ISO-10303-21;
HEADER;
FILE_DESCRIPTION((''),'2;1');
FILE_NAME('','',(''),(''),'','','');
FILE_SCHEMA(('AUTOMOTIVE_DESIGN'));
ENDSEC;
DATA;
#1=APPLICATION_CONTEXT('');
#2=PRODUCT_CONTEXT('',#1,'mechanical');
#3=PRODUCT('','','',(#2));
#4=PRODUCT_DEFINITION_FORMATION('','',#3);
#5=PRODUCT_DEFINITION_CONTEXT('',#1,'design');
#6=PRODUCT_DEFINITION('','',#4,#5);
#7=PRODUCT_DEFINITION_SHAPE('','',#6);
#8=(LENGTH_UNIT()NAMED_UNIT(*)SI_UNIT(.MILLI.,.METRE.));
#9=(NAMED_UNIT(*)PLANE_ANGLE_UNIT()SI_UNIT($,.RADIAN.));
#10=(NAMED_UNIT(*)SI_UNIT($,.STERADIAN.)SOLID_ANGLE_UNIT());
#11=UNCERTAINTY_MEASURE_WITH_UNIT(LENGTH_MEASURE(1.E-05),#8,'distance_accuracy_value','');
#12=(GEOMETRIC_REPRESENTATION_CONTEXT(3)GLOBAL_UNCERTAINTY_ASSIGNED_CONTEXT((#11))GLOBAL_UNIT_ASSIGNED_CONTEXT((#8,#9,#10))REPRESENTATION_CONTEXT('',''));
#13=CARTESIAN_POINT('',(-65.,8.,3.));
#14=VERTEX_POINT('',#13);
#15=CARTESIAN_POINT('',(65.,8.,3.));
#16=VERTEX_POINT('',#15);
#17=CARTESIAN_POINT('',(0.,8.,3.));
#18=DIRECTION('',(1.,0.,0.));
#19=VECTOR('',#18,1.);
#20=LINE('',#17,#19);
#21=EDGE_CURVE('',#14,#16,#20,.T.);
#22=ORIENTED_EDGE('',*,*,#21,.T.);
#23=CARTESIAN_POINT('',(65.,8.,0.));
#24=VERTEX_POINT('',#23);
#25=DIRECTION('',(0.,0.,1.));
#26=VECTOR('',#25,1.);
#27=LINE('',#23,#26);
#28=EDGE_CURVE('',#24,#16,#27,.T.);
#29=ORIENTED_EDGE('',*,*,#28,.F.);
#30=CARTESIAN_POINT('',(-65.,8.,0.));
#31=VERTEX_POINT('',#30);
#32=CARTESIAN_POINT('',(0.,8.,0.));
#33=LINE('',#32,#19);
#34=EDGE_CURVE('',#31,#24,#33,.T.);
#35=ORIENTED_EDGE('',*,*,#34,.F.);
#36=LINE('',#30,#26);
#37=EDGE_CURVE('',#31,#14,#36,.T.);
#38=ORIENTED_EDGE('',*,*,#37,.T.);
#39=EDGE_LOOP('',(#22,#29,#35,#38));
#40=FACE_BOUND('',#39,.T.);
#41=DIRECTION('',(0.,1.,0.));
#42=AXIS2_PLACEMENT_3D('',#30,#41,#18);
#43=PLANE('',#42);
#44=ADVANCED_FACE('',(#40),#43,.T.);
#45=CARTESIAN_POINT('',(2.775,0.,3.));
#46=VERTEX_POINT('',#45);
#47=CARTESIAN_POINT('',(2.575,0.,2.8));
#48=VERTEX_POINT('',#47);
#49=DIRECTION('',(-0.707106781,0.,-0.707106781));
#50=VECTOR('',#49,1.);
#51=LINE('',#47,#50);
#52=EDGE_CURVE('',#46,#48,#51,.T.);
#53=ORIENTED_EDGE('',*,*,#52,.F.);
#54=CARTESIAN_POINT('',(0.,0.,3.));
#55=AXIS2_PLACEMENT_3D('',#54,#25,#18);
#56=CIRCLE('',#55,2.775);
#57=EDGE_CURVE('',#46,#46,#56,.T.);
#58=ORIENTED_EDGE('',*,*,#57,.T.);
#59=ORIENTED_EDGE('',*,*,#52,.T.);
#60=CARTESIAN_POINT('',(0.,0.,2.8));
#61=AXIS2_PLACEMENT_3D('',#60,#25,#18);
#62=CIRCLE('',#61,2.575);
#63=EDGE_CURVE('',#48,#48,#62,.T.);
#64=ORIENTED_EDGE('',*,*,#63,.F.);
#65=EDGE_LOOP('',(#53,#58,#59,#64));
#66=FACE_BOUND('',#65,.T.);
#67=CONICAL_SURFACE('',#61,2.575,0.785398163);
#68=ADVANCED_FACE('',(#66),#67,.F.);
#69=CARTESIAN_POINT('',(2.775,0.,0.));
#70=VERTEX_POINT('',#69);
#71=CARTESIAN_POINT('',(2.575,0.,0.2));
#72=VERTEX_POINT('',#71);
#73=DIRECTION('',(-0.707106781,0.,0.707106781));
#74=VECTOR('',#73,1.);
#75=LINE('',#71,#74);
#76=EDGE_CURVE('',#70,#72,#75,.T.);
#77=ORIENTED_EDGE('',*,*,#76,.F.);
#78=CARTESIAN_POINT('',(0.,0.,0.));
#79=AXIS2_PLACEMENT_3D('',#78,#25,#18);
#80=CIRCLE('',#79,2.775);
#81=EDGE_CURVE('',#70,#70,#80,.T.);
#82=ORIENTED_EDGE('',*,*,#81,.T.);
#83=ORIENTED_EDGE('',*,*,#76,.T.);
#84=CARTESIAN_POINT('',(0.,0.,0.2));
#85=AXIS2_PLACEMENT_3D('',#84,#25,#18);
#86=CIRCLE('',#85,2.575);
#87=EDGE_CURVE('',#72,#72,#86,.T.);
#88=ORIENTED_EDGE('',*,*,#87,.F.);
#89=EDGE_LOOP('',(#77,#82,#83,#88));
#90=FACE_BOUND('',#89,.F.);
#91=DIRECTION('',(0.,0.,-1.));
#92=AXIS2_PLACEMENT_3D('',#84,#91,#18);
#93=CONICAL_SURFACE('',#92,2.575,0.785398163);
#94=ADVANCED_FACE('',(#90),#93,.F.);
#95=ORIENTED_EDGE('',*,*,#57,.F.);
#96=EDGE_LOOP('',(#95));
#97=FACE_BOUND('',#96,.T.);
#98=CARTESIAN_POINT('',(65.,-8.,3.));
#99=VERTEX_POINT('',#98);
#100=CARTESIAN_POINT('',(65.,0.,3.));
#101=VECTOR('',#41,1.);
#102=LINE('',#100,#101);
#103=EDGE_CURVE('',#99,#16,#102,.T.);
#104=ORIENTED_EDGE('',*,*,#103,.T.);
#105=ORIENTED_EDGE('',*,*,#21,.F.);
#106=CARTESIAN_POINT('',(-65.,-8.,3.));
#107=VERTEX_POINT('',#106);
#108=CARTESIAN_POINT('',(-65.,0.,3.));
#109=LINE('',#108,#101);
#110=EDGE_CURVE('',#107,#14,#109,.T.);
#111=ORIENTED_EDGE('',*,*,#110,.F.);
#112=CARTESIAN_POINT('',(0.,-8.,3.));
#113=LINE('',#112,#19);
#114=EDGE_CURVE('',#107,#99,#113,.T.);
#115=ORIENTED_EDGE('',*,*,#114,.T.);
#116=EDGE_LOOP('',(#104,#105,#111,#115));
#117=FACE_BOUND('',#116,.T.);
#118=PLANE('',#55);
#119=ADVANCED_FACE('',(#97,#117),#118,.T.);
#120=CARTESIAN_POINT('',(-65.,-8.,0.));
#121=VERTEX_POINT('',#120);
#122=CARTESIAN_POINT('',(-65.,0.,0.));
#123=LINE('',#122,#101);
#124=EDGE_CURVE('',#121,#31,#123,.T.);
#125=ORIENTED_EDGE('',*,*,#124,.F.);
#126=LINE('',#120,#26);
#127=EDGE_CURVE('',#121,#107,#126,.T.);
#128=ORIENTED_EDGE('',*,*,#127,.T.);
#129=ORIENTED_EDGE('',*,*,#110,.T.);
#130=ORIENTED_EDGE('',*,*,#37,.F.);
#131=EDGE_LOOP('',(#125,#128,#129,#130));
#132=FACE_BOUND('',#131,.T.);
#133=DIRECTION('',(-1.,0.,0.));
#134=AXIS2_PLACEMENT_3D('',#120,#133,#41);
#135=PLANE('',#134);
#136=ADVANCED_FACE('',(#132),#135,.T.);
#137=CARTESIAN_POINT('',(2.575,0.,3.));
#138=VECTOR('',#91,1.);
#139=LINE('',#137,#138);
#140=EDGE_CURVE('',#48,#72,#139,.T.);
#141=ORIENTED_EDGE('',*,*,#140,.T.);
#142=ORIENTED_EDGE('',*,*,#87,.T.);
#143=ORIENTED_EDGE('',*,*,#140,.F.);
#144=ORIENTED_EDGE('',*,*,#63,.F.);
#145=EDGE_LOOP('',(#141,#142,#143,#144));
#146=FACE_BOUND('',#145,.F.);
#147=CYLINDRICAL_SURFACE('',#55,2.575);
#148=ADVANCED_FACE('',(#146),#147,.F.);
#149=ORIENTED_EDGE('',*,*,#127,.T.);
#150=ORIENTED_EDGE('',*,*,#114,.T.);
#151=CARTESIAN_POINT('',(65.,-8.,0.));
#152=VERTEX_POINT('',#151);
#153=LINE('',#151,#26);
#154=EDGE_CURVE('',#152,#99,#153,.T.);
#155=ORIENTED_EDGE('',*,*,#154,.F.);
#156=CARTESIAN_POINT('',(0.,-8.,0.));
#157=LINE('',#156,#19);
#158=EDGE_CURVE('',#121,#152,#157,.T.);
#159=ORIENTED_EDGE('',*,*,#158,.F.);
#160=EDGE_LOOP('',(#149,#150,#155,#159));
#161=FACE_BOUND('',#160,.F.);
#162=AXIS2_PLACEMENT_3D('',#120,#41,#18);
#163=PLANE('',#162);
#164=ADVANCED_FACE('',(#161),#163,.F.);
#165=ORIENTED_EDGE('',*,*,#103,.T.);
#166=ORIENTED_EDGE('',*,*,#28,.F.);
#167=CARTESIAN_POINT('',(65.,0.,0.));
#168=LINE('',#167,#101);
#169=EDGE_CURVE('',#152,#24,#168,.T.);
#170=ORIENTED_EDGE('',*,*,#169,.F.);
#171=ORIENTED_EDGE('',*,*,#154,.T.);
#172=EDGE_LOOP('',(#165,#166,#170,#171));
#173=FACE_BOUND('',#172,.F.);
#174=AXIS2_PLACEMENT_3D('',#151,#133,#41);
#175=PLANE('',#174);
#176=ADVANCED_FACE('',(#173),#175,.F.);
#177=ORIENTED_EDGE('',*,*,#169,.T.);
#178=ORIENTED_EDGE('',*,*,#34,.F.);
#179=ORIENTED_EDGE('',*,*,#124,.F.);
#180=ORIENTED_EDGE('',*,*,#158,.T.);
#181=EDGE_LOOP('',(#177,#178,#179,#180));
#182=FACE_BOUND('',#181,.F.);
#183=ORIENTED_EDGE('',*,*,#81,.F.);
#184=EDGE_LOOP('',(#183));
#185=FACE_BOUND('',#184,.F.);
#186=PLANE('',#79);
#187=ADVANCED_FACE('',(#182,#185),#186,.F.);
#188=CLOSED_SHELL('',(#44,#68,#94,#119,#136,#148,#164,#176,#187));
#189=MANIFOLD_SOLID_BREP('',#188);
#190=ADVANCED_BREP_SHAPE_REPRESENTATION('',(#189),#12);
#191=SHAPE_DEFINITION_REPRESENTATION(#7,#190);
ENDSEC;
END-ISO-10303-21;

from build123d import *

# Parameters (mm, degrees)
F0_W     = 130
F0_H     = 16
F1_DEPTH = 3
F2_R     = 2.575
F3_DEPTH = 3.001
F4_SIZE  = 0.2


with BuildPart() as f1:
    # F0 (on Top) → F1 (new body)
    with BuildSketch(Plane.XY):
        Rectangle(F0_W, F0_H)
    extrude(amount=F1_DEPTH)

    # F2 (on face) → F3 (cut, through all)
    with BuildSketch(Plane.XY.offset(3)):
        Circle(F2_R)
    extrude(amount=-F3_DEPTH, mode=Mode.SUBTRACT)

    # F4
    f4_edges = [f1.edges().sort_by_distance(p)[0] for p in [
        (-2.575, 0, 3),
        (-2.575, 0, 0),
    ]]
    chamfer(f4_edges, length=F4_SIZE)


solid = f1.part
